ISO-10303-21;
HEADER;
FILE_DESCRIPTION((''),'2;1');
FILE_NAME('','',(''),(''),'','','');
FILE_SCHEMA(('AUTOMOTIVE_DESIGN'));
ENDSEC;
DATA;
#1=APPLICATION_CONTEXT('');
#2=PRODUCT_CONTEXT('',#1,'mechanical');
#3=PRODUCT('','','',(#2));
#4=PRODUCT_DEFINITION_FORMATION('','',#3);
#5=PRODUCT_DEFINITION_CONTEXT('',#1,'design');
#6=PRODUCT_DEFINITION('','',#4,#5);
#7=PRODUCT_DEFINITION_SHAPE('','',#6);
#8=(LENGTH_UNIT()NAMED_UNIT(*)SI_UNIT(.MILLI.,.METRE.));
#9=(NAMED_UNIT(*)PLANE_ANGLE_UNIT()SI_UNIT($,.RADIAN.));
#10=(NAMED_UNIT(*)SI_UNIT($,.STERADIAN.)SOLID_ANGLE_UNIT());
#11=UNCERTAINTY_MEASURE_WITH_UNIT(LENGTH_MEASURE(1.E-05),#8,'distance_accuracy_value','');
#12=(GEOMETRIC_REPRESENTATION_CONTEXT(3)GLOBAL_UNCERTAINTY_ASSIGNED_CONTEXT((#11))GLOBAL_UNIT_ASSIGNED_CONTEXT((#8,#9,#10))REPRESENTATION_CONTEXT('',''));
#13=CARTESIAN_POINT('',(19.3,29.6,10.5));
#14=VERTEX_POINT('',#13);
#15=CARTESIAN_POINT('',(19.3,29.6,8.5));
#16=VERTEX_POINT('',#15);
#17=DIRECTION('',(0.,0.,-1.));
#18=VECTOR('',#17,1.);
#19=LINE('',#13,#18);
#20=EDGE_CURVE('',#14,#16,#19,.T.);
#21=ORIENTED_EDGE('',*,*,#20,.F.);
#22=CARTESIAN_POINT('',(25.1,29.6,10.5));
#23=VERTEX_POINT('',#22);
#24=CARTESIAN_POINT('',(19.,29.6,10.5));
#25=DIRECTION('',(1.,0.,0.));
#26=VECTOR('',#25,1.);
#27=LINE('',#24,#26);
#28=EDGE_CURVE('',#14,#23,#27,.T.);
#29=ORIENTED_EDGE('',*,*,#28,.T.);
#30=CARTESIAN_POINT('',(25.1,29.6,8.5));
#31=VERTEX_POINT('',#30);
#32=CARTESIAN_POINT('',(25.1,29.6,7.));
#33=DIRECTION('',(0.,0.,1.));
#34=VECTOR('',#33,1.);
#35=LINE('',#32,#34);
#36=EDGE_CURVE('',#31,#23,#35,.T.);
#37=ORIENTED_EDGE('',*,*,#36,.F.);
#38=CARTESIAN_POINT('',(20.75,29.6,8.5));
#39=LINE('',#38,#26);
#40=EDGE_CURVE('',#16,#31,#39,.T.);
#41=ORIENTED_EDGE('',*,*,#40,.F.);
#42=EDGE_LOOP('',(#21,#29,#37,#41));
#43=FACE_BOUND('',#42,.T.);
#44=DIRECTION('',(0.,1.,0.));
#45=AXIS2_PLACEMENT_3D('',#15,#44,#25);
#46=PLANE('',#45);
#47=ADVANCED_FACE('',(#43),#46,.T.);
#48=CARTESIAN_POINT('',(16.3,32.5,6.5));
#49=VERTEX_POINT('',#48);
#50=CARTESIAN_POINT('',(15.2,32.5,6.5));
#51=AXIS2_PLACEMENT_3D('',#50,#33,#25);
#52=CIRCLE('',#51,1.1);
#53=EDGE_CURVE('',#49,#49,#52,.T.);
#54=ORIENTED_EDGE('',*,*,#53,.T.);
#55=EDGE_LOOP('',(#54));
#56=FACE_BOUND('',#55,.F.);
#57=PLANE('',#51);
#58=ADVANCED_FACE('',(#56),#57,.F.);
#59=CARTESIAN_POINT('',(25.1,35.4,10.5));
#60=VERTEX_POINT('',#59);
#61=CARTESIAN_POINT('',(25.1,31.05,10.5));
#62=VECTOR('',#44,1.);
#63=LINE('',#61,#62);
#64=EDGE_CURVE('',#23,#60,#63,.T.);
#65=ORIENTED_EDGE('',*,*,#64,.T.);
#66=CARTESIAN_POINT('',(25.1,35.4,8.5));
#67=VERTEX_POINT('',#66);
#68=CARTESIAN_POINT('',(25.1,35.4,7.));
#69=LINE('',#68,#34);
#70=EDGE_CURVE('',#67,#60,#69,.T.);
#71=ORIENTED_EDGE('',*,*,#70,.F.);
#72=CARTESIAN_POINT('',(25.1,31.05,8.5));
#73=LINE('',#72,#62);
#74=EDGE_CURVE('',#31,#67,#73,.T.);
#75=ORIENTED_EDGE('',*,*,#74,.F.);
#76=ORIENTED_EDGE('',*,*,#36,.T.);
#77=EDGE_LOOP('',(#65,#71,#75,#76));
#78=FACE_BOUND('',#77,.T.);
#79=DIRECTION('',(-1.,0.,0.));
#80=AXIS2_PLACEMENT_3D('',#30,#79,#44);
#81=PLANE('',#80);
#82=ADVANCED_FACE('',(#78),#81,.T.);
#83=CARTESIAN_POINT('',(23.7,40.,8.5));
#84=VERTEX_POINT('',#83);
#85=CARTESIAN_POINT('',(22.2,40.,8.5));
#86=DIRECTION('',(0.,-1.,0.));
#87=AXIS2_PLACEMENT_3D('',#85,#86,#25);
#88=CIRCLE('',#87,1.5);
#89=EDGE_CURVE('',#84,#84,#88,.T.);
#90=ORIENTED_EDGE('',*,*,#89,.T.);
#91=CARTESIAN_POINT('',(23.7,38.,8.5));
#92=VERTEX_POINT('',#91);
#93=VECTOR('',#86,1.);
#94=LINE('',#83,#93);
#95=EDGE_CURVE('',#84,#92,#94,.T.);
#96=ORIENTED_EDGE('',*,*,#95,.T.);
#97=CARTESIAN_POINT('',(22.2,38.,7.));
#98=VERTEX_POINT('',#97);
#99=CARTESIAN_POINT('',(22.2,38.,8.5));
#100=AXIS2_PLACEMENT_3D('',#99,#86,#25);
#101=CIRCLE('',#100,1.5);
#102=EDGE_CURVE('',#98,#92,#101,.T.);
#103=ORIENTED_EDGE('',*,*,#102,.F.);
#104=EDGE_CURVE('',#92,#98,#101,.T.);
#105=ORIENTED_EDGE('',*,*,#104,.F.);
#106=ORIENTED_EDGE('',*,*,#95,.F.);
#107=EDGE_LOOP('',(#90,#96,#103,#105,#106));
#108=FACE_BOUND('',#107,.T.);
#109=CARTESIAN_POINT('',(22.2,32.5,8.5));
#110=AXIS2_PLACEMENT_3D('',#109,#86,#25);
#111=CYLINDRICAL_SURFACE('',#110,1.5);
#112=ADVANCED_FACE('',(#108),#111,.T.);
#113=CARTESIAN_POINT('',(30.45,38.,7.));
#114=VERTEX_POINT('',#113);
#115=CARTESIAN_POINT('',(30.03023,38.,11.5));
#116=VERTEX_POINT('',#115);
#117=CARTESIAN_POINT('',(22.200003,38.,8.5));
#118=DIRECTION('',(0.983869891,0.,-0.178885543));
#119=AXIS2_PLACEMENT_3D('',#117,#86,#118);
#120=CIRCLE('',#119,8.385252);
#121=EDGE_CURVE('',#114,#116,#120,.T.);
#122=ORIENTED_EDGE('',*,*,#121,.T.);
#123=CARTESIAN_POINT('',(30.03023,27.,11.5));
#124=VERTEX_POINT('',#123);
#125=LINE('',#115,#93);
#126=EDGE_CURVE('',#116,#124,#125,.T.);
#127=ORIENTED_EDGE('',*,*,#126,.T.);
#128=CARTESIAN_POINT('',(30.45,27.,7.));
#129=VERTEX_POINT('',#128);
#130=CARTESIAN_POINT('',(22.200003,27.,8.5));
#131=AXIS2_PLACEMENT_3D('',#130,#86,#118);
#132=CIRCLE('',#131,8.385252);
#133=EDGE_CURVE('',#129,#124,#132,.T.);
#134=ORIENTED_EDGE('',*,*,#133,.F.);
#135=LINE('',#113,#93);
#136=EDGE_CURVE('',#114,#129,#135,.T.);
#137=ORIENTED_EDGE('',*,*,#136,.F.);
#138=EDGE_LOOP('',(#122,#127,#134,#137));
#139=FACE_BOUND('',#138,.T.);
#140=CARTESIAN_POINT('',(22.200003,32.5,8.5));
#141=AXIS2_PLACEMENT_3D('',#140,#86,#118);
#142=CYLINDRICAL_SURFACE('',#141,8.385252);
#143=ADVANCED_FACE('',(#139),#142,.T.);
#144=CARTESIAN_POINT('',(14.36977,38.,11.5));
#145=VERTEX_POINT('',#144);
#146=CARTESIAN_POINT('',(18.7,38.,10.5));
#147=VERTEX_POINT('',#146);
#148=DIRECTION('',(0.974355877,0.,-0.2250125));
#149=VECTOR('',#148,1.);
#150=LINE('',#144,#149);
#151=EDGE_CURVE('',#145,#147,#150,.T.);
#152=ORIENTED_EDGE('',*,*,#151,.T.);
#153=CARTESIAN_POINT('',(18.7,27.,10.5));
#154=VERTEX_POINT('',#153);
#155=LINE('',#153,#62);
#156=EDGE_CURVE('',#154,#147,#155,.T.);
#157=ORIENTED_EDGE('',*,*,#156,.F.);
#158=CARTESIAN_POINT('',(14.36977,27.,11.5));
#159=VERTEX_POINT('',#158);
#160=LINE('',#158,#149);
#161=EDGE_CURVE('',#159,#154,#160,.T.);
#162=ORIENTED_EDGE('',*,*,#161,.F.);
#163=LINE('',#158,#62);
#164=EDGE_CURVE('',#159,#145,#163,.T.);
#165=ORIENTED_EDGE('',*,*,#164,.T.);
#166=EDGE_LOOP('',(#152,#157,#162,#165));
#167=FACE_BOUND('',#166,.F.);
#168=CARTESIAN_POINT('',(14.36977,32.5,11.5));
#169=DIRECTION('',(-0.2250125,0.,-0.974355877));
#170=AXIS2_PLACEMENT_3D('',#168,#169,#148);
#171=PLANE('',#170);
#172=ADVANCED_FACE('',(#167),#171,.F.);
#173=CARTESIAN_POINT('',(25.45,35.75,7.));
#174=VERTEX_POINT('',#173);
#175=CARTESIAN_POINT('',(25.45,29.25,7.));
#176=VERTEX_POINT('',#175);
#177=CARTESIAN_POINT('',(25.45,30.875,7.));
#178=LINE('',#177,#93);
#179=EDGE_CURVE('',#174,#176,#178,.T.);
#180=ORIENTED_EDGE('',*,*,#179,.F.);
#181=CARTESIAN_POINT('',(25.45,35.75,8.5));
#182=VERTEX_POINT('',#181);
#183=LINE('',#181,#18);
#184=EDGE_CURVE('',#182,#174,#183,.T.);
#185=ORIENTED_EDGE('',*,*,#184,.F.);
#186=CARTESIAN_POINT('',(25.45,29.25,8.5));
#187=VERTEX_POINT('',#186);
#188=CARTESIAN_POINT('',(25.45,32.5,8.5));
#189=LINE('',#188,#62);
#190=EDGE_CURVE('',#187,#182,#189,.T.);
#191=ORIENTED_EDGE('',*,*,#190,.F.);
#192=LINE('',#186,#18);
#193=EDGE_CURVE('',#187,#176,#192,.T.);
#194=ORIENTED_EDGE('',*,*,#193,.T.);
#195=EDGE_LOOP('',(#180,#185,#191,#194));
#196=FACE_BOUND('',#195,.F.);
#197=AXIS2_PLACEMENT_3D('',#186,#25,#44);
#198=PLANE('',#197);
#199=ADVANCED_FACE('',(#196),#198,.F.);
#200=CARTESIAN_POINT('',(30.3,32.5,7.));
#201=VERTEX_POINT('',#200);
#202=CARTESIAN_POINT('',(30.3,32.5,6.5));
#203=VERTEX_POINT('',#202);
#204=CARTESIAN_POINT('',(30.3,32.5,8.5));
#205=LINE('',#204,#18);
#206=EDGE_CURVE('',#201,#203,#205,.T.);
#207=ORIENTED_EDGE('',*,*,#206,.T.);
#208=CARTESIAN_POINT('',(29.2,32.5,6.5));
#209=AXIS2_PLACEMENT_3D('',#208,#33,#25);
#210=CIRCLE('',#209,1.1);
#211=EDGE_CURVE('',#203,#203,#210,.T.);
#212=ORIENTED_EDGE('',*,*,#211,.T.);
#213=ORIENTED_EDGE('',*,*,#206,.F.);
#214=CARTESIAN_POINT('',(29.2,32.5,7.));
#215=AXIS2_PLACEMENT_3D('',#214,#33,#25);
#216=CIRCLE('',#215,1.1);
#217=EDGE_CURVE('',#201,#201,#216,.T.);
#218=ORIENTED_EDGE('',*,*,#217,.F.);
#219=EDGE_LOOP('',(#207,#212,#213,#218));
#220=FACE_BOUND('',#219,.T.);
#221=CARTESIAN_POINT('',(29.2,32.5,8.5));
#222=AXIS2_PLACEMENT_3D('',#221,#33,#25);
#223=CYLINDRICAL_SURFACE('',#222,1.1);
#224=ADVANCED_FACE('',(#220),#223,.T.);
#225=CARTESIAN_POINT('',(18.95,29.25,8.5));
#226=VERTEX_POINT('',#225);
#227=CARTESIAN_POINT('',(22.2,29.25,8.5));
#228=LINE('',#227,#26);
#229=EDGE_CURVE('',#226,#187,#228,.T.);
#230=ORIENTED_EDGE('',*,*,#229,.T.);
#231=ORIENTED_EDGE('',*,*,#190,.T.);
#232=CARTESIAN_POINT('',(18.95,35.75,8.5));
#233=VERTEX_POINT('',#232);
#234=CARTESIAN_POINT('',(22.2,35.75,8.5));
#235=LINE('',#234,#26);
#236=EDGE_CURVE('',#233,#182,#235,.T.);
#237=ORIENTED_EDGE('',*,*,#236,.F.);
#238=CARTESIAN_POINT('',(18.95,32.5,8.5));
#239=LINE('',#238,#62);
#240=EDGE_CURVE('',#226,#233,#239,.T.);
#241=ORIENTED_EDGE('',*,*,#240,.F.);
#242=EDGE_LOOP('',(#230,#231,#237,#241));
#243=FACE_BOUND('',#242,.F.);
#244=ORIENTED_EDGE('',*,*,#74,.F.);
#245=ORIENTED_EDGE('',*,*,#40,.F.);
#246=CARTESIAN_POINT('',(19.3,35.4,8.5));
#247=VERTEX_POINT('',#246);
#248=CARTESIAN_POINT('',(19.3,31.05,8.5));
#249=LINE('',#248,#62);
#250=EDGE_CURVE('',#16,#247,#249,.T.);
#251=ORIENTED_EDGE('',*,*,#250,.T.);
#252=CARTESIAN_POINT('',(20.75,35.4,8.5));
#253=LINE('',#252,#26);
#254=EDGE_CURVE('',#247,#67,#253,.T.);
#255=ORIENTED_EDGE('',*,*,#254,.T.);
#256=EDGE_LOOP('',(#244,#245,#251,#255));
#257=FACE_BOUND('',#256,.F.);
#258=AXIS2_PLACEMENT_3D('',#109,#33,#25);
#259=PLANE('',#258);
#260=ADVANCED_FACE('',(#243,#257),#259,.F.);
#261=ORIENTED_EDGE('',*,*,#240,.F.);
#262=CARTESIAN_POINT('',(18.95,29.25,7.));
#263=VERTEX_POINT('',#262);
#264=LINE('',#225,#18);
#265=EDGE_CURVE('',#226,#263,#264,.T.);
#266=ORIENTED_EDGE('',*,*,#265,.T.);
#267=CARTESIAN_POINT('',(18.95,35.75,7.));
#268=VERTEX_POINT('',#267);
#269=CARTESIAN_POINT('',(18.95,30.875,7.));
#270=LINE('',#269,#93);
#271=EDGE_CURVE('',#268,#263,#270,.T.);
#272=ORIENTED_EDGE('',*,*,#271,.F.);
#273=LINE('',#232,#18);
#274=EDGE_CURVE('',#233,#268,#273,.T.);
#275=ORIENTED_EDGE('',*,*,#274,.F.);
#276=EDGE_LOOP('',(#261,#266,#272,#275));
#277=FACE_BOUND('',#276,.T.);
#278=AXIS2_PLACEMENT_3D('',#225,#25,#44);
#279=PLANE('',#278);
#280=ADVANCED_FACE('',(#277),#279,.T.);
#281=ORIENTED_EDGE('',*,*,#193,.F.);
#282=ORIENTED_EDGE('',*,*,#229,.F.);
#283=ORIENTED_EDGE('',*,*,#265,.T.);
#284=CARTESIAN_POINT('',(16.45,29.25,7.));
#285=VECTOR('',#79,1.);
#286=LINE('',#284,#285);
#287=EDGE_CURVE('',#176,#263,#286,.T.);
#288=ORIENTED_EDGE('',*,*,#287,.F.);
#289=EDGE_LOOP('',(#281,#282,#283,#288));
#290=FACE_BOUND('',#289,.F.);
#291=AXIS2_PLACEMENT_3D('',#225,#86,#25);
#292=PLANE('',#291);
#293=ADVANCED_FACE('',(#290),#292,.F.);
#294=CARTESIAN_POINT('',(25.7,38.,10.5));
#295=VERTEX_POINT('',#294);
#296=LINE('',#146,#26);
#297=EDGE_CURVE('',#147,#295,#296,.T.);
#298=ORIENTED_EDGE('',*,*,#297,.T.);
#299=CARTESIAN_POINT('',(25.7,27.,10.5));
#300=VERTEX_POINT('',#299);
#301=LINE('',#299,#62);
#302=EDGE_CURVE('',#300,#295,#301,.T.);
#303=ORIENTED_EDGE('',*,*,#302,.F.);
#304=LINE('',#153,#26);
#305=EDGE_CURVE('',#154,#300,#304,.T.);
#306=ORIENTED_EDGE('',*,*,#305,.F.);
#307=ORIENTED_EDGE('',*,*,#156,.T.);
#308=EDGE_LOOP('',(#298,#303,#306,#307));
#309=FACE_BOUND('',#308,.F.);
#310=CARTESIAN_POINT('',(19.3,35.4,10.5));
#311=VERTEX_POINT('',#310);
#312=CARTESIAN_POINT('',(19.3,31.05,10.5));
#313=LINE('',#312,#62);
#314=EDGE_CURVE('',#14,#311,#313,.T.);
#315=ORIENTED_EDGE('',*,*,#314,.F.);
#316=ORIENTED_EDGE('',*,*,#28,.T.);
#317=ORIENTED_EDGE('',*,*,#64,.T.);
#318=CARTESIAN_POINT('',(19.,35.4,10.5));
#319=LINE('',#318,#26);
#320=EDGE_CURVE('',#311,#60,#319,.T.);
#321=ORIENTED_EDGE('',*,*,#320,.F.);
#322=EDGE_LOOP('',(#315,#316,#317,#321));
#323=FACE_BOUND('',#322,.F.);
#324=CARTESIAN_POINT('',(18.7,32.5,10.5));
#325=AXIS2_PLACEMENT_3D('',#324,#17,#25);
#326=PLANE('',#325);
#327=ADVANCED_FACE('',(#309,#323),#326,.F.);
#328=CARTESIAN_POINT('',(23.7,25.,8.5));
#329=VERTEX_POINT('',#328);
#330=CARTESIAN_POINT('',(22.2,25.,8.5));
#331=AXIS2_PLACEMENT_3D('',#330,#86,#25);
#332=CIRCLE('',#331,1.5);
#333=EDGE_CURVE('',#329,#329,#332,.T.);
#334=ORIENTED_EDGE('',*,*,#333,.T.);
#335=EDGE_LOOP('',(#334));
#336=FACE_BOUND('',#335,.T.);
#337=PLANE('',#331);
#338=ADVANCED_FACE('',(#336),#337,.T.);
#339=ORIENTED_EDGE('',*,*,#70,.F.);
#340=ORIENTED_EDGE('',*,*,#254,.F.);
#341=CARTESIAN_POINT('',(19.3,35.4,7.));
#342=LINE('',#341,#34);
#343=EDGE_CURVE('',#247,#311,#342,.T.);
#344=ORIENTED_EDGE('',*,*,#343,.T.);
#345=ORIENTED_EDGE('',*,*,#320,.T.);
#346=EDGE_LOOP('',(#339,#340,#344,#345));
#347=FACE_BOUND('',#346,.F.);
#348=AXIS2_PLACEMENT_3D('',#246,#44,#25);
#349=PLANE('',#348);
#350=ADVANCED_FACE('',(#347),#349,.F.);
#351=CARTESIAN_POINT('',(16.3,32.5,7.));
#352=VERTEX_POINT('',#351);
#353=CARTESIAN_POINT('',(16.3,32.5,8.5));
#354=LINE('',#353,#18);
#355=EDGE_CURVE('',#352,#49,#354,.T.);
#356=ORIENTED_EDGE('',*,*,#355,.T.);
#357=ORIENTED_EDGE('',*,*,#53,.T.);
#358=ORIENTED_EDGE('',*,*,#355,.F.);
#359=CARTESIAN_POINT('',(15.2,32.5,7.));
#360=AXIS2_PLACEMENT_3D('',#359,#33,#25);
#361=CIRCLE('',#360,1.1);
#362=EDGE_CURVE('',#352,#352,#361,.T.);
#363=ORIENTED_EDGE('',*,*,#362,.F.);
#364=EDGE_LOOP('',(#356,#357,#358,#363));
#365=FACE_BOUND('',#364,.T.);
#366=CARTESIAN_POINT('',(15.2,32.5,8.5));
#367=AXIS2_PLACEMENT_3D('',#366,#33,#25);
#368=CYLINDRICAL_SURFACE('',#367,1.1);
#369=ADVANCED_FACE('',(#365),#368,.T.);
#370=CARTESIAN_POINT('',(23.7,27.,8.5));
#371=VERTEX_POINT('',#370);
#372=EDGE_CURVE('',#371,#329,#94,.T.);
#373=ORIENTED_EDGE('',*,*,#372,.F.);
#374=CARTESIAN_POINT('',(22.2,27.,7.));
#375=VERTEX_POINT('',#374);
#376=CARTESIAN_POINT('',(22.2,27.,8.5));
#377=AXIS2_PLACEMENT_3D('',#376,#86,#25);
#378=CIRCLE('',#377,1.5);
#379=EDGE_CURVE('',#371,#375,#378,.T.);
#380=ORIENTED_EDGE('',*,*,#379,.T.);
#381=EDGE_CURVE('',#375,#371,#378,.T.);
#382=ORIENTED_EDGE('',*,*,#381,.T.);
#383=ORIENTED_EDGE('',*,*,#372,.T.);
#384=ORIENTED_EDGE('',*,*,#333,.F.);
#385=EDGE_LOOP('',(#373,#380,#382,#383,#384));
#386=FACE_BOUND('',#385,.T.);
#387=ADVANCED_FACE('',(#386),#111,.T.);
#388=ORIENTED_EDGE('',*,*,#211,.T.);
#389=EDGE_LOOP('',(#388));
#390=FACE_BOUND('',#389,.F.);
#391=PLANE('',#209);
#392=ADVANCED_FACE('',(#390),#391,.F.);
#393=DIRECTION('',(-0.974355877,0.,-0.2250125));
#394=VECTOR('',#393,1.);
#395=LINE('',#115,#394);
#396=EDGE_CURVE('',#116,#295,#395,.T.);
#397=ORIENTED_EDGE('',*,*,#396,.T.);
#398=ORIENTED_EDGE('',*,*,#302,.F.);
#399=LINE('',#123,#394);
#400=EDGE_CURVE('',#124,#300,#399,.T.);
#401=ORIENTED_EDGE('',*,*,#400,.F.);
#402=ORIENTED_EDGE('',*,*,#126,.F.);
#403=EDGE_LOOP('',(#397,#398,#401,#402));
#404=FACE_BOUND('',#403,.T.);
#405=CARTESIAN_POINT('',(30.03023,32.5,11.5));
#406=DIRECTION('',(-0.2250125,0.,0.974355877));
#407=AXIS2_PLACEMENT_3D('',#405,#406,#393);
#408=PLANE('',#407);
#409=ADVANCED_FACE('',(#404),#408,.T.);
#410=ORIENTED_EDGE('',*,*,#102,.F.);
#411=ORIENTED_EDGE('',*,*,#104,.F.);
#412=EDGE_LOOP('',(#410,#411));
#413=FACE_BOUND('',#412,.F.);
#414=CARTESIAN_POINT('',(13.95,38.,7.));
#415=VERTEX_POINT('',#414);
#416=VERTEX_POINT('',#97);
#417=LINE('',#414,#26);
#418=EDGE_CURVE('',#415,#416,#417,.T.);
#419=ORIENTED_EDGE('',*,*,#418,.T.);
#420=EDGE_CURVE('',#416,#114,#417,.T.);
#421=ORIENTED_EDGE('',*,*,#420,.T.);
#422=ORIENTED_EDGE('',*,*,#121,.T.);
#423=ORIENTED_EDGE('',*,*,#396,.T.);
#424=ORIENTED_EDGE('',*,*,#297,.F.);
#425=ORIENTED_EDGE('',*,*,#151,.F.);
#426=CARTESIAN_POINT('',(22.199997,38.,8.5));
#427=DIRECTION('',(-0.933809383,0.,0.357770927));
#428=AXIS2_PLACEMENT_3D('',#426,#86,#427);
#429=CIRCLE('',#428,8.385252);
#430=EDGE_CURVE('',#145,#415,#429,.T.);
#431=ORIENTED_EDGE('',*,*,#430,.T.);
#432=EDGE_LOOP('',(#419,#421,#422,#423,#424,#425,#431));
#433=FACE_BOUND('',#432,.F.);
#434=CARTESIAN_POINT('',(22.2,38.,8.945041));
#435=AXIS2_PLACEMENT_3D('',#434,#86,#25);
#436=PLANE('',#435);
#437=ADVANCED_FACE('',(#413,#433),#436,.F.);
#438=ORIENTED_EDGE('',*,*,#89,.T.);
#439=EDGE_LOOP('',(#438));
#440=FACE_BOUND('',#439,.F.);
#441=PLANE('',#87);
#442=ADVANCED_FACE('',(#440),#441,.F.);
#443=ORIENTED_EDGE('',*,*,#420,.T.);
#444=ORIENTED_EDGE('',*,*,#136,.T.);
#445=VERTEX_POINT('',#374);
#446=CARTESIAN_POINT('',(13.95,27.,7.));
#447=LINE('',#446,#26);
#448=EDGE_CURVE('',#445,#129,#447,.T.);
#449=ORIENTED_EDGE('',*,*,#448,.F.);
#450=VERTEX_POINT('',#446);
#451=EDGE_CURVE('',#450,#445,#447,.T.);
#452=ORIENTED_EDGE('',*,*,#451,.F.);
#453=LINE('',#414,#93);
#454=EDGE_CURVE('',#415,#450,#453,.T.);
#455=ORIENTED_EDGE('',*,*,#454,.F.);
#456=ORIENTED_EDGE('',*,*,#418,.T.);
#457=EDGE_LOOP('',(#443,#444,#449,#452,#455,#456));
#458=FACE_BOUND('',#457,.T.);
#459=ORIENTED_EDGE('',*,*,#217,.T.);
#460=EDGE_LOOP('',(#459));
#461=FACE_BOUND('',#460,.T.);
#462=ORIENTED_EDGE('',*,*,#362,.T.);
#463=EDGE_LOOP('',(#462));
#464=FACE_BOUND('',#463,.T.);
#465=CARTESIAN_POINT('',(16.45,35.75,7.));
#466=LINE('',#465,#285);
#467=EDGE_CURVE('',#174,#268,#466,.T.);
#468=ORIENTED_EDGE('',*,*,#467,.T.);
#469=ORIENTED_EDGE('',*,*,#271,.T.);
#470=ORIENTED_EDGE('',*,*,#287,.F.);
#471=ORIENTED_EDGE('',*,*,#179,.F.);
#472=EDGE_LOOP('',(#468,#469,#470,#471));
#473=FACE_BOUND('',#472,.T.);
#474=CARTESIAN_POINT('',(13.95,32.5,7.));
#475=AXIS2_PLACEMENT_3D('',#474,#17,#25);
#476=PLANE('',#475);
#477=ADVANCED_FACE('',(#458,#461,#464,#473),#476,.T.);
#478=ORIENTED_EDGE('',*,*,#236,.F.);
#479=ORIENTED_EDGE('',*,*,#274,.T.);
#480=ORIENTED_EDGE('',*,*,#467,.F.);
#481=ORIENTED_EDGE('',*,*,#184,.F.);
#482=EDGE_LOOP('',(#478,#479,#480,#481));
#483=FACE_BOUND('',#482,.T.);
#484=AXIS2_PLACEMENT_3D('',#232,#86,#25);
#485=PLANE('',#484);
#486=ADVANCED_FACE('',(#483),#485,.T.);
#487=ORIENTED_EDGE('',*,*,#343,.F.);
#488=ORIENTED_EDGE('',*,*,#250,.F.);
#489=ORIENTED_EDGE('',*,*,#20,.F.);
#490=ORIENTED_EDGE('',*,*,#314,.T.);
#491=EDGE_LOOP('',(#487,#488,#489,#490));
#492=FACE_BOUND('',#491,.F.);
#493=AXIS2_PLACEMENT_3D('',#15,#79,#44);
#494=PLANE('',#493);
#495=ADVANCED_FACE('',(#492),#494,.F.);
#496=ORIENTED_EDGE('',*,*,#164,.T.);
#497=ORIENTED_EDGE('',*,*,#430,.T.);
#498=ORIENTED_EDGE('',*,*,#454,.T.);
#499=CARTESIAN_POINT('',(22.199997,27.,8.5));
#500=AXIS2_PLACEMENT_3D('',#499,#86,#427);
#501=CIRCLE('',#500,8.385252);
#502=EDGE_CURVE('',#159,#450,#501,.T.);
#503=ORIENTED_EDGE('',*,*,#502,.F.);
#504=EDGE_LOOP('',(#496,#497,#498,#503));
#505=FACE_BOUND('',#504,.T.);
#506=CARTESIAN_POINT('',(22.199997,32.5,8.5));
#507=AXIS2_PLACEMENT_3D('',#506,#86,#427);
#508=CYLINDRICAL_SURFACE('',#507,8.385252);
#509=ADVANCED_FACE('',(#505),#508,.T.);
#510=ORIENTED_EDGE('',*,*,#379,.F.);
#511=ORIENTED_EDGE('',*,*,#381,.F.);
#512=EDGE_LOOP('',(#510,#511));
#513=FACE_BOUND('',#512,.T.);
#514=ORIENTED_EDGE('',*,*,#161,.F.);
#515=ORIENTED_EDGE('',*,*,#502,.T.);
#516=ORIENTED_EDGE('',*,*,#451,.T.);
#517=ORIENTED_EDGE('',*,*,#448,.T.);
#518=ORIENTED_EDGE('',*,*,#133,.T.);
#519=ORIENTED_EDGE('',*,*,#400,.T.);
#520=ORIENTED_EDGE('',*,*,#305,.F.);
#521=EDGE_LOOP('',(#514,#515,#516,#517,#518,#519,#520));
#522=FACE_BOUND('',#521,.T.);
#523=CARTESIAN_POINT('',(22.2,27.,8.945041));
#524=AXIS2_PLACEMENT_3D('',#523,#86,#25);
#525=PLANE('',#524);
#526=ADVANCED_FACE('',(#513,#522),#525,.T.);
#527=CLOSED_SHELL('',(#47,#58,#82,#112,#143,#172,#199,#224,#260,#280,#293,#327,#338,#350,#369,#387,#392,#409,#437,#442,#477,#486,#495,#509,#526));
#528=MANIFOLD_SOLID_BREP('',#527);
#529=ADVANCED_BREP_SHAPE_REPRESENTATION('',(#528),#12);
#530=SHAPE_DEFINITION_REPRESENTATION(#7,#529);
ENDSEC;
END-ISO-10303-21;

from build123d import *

# Parameters (mm, degrees)
PAD009_DEPTH         = 5.5
SKETCH015_R          = 1.5
PAD010_DEPTH         = 7.5
SKETCH016_W          = 5.8
SKETCH016_H          = 5.8
POCKET005_DEPTH      = 1.501
POCKET005_DEPTH_BACK = 3.001
SKETCH019_W          = 6.5
SKETCH019_H          = 6.5
POCKET006_DEPTH      = 1.501
SKETCH017_R          = 1.1
PAD011_DEPTH         = 2


with BuildPart() as part:
    # Sketch014 → Pad009 (new body, symmetric)
    with BuildSketch(Plane.XZ):
        with BuildLine():
            ThreePointArc((14.36977, 3), (13.850991, 0.778814), (13.95, -1.5))
            Line((13.95, -1.5), (30.45, -1.5))
            ThreePointArc((30.45, -1.5), (30.549009, 0.778814), (30.03023, 3))
            Line((30.03023, 3), (25.7, 2))
            Line((18.7, 2), (25.7, 2))
            Line((14.36977, 3), (18.7, 2))
        make_face()
    extrude(amount=PAD009_DEPTH, both=True)

    # Sketch015 → Pad010 (join, symmetric)
    with BuildSketch(Plane.XZ):
        with Locations((22.2, 0)):
            Circle(SKETCH015_R)
    extrude(amount=PAD010_DEPTH, both=True)

    # Sketch016 → Pocket005 (cut, two sides)
    with BuildSketch(Plane.XY) as pocket005_sk:
        with Locations((22.2, 0)):
            Rectangle(SKETCH016_W, SKETCH016_H)
    extrude(amount=-POCKET005_DEPTH, mode=Mode.SUBTRACT)
    extrude(pocket005_sk.sketch, amount=POCKET005_DEPTH_BACK, mode=Mode.SUBTRACT)

    # Sketch019 → Pocket006 (cut, through all)
    with BuildSketch(Plane.XY):
        with Locations((22.2, 0)):
            Rectangle(SKETCH019_W, SKETCH019_H)
    extrude(amount=-POCKET006_DEPTH, mode=Mode.SUBTRACT)

    # Sketch017 → Pad011 (join)
    with BuildSketch(Plane.XY):
        with Locations((15.2, 0)):
            Circle(SKETCH017_R)
        with Locations((29.2, 0)):
            Circle(SKETCH017_R)
    extrude(amount=-PAD011_DEPTH)


with BuildPart() as part_1:
    # Body005 placement: moved
    add(part.part.moved(Location((0, 32.5, 8.5))))


solid = part_1.part
